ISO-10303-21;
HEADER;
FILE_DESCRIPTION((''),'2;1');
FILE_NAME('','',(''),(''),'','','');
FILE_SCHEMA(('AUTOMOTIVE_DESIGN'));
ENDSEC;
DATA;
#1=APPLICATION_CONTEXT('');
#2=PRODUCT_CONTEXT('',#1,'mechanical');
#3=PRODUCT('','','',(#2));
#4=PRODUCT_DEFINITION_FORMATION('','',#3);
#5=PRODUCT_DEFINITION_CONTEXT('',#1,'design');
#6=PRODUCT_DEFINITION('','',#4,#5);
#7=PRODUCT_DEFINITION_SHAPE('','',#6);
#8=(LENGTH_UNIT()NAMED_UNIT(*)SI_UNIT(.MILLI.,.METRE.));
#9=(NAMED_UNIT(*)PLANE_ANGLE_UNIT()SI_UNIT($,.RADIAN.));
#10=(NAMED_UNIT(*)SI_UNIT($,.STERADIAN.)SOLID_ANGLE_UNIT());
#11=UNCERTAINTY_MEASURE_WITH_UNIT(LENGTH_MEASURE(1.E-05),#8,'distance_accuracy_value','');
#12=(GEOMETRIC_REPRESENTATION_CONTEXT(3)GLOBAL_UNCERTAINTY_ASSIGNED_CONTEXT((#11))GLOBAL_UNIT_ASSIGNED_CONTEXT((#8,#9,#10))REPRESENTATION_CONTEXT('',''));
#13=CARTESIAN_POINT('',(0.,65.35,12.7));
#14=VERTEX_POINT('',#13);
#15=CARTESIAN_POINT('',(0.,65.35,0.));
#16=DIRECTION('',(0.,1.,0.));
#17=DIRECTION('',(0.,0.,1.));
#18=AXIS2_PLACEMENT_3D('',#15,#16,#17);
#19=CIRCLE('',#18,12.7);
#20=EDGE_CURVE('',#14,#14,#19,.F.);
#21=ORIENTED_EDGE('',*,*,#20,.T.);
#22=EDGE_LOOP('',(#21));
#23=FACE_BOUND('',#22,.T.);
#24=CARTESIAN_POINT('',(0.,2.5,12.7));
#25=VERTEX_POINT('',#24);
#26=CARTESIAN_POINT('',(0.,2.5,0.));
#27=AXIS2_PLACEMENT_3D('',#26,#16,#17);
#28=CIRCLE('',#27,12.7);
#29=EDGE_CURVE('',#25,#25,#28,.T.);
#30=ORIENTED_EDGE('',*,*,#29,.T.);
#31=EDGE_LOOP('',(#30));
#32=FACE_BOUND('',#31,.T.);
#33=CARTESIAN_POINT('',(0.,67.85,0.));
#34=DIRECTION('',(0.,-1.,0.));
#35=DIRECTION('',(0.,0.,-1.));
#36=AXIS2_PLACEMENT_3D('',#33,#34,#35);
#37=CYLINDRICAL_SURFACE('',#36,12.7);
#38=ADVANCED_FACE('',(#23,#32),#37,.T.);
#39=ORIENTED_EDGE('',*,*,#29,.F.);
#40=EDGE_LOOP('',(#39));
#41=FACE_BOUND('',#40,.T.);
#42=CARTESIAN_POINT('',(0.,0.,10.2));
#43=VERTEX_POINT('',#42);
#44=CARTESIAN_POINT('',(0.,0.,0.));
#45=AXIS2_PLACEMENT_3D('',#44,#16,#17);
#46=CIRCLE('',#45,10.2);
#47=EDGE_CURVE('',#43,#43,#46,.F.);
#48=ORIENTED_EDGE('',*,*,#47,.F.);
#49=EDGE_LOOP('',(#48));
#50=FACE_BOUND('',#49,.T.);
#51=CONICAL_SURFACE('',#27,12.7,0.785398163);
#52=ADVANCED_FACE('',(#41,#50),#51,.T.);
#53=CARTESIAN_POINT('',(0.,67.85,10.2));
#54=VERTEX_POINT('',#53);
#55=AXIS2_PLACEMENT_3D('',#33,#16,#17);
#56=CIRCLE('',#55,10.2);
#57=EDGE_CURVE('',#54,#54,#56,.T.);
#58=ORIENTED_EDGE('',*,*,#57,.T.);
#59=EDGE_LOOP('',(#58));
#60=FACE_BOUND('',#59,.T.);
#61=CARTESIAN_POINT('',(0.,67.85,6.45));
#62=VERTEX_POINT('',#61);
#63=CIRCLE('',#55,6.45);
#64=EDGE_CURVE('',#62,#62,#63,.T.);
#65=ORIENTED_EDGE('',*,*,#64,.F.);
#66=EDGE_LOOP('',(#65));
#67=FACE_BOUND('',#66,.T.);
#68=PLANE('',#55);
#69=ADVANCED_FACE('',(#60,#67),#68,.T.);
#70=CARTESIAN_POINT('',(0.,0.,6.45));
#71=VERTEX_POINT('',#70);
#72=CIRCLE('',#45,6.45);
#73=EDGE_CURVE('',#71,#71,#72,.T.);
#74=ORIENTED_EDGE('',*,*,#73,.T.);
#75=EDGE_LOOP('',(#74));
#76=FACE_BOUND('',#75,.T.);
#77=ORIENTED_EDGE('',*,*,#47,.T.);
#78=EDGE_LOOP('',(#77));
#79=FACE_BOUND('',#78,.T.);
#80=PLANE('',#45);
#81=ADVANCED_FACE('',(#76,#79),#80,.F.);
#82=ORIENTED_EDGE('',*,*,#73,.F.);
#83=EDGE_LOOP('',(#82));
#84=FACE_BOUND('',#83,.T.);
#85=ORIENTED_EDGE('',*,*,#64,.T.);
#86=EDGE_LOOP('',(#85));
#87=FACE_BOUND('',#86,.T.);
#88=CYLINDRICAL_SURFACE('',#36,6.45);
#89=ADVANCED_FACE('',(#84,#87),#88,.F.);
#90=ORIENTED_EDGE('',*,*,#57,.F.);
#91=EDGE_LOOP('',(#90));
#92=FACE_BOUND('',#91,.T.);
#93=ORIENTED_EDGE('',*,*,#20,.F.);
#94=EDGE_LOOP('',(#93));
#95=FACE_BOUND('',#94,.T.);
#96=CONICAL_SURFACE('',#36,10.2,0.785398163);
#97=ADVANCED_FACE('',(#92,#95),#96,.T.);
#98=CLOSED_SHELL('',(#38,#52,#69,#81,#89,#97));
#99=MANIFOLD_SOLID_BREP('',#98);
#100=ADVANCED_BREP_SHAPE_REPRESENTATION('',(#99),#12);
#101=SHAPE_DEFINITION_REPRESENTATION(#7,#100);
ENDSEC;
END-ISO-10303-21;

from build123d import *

# Parameters (mm, degrees)
SZKIC1_R                    = 12.7
SZKIC1_R_2                  = 6.45
DODANIE_WYCI_GNI_CIE1_DEPTH = 67.85
SFAZOWANIE1_SIZE            = 2.5


with BuildPart() as part:
    # Szkic1 → Dodanie-wyciągnięcie1 (new body)
    with BuildSketch(Plane(origin=(0, 0, 0), x_dir=(1, 0, 0), z_dir=(0, 1, 0))):
        with Locations(Location((0, 0, 0), (0, 0, 270))):
            Circle(SZKIC1_R)
        with Locations(Location((0, 0, 0), (0, 0, 270))):
            Circle(SZKIC1_R_2, mode=Mode.SUBTRACT)
    extrude(amount=DODANIE_WYCI_GNI_CIE1_DEPTH)

    # Sfazowanie1
    sfazowanie1_edges = [part.edges().sort_by_distance(p)[0] for p in [
        (0, 0, -12.7),
        (0, 67.85, -12.7),
    ]]
    chamfer(sfazowanie1_edges, length=SFAZOWANIE1_SIZE)


solid = part.part
